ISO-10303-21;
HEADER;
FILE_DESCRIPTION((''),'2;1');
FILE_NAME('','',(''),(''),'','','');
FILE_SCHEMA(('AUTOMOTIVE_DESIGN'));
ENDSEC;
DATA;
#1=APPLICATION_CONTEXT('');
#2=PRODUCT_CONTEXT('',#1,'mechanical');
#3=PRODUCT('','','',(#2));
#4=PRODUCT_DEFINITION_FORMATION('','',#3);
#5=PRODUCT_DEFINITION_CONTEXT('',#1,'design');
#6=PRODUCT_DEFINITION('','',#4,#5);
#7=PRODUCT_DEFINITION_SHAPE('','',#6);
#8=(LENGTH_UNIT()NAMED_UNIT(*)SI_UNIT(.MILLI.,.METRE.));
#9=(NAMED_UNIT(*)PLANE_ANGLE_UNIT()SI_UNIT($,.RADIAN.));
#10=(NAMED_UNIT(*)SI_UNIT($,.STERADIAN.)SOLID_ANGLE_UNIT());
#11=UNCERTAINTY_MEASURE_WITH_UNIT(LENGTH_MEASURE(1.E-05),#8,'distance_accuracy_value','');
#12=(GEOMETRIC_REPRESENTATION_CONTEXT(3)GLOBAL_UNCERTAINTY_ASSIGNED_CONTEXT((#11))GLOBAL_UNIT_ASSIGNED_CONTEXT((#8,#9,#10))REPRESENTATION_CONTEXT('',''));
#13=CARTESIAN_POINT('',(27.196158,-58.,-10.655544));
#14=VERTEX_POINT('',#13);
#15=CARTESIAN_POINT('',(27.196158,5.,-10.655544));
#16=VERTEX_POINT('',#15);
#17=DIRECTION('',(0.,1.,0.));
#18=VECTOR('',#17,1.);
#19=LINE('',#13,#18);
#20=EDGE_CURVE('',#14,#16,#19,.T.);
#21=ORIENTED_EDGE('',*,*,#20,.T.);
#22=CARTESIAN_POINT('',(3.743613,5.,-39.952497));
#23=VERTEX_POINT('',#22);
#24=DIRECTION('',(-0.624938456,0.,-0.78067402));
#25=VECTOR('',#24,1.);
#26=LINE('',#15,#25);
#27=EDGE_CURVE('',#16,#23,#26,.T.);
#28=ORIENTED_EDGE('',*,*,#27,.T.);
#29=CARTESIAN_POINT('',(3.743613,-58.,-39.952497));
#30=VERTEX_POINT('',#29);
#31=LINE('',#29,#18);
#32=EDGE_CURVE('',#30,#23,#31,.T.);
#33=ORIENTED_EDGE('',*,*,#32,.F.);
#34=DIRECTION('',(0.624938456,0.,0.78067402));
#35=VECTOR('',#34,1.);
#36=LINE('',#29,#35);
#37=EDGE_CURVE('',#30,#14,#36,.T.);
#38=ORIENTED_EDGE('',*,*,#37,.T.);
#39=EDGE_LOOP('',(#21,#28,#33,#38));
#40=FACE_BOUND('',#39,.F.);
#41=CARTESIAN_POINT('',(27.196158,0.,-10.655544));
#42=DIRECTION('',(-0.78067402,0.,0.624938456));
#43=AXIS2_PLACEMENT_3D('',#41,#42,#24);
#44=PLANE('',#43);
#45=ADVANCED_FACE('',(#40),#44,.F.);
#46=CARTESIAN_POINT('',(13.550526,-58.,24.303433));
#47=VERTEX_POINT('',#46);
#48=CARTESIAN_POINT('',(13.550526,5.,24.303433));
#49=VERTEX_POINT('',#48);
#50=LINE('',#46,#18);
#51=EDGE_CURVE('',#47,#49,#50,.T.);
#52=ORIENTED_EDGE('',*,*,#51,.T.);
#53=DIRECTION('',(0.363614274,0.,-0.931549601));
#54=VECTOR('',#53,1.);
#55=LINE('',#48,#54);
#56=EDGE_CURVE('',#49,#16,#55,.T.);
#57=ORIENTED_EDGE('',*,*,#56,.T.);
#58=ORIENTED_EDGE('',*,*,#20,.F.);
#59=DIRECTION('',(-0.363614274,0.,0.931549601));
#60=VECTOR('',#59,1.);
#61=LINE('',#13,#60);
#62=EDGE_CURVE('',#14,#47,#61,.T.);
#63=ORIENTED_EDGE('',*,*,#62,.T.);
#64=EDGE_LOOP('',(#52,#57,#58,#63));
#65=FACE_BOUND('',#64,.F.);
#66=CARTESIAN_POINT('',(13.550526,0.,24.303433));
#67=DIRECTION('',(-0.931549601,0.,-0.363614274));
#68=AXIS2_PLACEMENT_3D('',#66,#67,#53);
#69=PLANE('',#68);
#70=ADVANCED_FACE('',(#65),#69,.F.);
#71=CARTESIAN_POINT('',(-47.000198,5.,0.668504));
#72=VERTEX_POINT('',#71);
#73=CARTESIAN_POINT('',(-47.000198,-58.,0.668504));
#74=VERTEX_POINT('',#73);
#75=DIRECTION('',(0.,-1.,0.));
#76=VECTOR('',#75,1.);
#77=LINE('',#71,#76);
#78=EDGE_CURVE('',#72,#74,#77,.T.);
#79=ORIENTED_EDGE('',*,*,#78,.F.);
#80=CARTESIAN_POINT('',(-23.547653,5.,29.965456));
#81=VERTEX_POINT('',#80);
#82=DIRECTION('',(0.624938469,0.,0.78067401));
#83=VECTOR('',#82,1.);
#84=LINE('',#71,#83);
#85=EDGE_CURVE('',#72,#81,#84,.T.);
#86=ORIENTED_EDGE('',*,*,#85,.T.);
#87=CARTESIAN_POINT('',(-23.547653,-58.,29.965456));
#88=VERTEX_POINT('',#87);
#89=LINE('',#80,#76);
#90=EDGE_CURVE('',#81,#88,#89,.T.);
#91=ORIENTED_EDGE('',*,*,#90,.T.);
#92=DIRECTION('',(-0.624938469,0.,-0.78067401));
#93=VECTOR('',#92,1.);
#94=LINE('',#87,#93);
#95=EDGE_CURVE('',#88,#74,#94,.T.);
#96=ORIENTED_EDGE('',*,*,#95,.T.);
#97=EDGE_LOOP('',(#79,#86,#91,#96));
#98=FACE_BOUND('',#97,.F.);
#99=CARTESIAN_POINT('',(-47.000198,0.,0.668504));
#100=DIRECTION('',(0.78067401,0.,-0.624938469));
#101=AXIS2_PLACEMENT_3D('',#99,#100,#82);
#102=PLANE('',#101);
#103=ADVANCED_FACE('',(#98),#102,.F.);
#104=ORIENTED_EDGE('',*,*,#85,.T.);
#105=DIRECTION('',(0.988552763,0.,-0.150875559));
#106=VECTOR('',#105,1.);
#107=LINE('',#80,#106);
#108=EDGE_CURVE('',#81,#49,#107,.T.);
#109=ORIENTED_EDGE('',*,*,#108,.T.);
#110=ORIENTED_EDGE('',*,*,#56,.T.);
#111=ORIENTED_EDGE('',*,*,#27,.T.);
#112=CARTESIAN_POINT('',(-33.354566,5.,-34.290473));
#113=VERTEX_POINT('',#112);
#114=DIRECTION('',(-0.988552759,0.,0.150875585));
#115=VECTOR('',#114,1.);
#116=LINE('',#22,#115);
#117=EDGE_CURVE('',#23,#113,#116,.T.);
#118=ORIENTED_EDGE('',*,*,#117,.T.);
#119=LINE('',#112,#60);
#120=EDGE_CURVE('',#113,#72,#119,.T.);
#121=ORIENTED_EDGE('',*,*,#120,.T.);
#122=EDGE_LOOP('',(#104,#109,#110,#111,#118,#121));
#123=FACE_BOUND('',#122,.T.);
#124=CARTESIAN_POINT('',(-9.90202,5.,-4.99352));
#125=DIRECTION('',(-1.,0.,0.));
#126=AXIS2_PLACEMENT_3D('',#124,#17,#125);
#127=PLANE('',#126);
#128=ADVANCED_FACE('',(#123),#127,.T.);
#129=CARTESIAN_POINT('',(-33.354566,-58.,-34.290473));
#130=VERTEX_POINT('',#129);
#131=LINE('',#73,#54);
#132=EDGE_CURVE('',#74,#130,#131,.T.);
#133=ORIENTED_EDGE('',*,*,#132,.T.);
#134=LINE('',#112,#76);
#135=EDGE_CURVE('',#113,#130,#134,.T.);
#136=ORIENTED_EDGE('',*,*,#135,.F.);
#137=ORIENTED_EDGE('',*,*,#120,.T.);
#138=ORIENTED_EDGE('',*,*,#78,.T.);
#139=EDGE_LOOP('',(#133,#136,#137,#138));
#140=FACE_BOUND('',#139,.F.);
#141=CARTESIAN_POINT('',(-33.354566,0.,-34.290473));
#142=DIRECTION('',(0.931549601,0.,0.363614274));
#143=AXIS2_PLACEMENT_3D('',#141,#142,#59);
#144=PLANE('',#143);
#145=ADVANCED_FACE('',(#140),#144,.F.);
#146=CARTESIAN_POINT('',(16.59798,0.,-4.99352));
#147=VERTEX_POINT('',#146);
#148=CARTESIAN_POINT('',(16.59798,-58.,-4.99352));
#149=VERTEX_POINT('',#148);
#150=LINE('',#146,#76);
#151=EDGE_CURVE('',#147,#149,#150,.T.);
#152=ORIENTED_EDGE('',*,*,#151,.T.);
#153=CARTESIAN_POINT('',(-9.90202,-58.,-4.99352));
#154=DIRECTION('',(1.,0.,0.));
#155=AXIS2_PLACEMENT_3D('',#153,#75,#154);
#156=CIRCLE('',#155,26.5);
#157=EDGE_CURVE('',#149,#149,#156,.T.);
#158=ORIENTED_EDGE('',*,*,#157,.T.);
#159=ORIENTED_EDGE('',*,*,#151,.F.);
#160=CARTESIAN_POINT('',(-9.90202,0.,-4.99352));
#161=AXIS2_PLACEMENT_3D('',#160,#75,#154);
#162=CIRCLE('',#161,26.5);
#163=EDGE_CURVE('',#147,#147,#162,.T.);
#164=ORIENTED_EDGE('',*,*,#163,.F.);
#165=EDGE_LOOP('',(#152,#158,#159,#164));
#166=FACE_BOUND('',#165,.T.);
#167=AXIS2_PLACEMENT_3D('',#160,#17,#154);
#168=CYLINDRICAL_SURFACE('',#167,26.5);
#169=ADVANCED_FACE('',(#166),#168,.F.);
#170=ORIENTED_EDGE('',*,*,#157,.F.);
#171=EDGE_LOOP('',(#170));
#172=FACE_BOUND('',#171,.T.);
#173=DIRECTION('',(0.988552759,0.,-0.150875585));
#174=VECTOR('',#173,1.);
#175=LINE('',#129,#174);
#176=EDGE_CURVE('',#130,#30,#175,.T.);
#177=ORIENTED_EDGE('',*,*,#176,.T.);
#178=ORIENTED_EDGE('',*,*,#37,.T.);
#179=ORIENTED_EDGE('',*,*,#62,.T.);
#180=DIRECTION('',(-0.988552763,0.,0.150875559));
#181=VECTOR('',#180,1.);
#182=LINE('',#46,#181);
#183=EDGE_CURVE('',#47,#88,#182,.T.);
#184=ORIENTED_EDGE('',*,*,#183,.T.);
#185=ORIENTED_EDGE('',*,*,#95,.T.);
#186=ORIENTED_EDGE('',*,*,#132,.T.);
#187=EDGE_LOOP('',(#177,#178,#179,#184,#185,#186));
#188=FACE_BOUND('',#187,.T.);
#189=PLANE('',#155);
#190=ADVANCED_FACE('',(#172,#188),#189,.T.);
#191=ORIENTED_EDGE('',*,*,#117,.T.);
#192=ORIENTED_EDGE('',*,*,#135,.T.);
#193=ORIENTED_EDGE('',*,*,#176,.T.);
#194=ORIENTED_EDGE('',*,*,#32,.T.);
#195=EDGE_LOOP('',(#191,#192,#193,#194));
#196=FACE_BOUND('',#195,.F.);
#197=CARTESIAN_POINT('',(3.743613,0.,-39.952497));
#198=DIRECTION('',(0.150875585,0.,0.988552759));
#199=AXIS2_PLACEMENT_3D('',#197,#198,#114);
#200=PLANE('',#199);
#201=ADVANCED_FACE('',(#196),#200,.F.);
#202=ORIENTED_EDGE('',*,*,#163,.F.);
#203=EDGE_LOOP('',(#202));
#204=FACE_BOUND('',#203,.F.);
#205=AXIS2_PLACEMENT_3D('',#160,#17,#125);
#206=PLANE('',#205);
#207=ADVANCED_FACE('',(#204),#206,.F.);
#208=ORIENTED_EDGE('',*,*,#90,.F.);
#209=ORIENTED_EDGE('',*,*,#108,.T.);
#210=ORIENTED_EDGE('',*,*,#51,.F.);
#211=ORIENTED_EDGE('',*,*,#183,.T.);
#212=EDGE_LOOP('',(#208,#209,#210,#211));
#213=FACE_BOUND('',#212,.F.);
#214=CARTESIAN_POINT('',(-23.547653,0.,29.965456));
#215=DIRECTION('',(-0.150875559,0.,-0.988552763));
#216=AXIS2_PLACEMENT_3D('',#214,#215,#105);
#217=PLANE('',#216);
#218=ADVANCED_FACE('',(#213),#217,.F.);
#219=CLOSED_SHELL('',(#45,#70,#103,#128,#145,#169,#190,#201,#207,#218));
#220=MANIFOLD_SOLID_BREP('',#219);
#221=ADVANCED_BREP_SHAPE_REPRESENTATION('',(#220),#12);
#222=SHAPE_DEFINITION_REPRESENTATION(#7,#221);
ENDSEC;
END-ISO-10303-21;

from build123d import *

# Parameters (mm, degrees)
F0_R     = 26.5
F1_DEPTH = 58
F3_DEPTH = 5


with BuildPart() as f1:
    # F0 (on Front) → F1 (new body)
    with BuildSketch(Plane.XZ):
        Polygon((3.743613, -39.952497), (27.196158, -10.655544), (13.550526, 24.303433), (-23.547653, 29.965456), (-47.000198, 0.668504), (-33.354566, -34.290473), align=None)
        with Locations((-9.90202, -4.99352)):
            Circle(F0_R, mode=Mode.SUBTRACT)
    extrude(amount=F1_DEPTH)

    # F2 (on face) → F3 (join)
    with BuildSketch(Plane(origin=(0, 0, 0), x_dir=(-1, 0, 0), z_dir=(0, 1, 0))):
        Polygon((23.547653, 29.965456), (-13.550526, 24.303433), (-27.196158, -10.655544), (-3.743613, -39.952497), (33.354566, -34.290473), (47.000198, 0.668504), align=None)
    extrude(amount=F3_DEPTH)


solid = f1.part
